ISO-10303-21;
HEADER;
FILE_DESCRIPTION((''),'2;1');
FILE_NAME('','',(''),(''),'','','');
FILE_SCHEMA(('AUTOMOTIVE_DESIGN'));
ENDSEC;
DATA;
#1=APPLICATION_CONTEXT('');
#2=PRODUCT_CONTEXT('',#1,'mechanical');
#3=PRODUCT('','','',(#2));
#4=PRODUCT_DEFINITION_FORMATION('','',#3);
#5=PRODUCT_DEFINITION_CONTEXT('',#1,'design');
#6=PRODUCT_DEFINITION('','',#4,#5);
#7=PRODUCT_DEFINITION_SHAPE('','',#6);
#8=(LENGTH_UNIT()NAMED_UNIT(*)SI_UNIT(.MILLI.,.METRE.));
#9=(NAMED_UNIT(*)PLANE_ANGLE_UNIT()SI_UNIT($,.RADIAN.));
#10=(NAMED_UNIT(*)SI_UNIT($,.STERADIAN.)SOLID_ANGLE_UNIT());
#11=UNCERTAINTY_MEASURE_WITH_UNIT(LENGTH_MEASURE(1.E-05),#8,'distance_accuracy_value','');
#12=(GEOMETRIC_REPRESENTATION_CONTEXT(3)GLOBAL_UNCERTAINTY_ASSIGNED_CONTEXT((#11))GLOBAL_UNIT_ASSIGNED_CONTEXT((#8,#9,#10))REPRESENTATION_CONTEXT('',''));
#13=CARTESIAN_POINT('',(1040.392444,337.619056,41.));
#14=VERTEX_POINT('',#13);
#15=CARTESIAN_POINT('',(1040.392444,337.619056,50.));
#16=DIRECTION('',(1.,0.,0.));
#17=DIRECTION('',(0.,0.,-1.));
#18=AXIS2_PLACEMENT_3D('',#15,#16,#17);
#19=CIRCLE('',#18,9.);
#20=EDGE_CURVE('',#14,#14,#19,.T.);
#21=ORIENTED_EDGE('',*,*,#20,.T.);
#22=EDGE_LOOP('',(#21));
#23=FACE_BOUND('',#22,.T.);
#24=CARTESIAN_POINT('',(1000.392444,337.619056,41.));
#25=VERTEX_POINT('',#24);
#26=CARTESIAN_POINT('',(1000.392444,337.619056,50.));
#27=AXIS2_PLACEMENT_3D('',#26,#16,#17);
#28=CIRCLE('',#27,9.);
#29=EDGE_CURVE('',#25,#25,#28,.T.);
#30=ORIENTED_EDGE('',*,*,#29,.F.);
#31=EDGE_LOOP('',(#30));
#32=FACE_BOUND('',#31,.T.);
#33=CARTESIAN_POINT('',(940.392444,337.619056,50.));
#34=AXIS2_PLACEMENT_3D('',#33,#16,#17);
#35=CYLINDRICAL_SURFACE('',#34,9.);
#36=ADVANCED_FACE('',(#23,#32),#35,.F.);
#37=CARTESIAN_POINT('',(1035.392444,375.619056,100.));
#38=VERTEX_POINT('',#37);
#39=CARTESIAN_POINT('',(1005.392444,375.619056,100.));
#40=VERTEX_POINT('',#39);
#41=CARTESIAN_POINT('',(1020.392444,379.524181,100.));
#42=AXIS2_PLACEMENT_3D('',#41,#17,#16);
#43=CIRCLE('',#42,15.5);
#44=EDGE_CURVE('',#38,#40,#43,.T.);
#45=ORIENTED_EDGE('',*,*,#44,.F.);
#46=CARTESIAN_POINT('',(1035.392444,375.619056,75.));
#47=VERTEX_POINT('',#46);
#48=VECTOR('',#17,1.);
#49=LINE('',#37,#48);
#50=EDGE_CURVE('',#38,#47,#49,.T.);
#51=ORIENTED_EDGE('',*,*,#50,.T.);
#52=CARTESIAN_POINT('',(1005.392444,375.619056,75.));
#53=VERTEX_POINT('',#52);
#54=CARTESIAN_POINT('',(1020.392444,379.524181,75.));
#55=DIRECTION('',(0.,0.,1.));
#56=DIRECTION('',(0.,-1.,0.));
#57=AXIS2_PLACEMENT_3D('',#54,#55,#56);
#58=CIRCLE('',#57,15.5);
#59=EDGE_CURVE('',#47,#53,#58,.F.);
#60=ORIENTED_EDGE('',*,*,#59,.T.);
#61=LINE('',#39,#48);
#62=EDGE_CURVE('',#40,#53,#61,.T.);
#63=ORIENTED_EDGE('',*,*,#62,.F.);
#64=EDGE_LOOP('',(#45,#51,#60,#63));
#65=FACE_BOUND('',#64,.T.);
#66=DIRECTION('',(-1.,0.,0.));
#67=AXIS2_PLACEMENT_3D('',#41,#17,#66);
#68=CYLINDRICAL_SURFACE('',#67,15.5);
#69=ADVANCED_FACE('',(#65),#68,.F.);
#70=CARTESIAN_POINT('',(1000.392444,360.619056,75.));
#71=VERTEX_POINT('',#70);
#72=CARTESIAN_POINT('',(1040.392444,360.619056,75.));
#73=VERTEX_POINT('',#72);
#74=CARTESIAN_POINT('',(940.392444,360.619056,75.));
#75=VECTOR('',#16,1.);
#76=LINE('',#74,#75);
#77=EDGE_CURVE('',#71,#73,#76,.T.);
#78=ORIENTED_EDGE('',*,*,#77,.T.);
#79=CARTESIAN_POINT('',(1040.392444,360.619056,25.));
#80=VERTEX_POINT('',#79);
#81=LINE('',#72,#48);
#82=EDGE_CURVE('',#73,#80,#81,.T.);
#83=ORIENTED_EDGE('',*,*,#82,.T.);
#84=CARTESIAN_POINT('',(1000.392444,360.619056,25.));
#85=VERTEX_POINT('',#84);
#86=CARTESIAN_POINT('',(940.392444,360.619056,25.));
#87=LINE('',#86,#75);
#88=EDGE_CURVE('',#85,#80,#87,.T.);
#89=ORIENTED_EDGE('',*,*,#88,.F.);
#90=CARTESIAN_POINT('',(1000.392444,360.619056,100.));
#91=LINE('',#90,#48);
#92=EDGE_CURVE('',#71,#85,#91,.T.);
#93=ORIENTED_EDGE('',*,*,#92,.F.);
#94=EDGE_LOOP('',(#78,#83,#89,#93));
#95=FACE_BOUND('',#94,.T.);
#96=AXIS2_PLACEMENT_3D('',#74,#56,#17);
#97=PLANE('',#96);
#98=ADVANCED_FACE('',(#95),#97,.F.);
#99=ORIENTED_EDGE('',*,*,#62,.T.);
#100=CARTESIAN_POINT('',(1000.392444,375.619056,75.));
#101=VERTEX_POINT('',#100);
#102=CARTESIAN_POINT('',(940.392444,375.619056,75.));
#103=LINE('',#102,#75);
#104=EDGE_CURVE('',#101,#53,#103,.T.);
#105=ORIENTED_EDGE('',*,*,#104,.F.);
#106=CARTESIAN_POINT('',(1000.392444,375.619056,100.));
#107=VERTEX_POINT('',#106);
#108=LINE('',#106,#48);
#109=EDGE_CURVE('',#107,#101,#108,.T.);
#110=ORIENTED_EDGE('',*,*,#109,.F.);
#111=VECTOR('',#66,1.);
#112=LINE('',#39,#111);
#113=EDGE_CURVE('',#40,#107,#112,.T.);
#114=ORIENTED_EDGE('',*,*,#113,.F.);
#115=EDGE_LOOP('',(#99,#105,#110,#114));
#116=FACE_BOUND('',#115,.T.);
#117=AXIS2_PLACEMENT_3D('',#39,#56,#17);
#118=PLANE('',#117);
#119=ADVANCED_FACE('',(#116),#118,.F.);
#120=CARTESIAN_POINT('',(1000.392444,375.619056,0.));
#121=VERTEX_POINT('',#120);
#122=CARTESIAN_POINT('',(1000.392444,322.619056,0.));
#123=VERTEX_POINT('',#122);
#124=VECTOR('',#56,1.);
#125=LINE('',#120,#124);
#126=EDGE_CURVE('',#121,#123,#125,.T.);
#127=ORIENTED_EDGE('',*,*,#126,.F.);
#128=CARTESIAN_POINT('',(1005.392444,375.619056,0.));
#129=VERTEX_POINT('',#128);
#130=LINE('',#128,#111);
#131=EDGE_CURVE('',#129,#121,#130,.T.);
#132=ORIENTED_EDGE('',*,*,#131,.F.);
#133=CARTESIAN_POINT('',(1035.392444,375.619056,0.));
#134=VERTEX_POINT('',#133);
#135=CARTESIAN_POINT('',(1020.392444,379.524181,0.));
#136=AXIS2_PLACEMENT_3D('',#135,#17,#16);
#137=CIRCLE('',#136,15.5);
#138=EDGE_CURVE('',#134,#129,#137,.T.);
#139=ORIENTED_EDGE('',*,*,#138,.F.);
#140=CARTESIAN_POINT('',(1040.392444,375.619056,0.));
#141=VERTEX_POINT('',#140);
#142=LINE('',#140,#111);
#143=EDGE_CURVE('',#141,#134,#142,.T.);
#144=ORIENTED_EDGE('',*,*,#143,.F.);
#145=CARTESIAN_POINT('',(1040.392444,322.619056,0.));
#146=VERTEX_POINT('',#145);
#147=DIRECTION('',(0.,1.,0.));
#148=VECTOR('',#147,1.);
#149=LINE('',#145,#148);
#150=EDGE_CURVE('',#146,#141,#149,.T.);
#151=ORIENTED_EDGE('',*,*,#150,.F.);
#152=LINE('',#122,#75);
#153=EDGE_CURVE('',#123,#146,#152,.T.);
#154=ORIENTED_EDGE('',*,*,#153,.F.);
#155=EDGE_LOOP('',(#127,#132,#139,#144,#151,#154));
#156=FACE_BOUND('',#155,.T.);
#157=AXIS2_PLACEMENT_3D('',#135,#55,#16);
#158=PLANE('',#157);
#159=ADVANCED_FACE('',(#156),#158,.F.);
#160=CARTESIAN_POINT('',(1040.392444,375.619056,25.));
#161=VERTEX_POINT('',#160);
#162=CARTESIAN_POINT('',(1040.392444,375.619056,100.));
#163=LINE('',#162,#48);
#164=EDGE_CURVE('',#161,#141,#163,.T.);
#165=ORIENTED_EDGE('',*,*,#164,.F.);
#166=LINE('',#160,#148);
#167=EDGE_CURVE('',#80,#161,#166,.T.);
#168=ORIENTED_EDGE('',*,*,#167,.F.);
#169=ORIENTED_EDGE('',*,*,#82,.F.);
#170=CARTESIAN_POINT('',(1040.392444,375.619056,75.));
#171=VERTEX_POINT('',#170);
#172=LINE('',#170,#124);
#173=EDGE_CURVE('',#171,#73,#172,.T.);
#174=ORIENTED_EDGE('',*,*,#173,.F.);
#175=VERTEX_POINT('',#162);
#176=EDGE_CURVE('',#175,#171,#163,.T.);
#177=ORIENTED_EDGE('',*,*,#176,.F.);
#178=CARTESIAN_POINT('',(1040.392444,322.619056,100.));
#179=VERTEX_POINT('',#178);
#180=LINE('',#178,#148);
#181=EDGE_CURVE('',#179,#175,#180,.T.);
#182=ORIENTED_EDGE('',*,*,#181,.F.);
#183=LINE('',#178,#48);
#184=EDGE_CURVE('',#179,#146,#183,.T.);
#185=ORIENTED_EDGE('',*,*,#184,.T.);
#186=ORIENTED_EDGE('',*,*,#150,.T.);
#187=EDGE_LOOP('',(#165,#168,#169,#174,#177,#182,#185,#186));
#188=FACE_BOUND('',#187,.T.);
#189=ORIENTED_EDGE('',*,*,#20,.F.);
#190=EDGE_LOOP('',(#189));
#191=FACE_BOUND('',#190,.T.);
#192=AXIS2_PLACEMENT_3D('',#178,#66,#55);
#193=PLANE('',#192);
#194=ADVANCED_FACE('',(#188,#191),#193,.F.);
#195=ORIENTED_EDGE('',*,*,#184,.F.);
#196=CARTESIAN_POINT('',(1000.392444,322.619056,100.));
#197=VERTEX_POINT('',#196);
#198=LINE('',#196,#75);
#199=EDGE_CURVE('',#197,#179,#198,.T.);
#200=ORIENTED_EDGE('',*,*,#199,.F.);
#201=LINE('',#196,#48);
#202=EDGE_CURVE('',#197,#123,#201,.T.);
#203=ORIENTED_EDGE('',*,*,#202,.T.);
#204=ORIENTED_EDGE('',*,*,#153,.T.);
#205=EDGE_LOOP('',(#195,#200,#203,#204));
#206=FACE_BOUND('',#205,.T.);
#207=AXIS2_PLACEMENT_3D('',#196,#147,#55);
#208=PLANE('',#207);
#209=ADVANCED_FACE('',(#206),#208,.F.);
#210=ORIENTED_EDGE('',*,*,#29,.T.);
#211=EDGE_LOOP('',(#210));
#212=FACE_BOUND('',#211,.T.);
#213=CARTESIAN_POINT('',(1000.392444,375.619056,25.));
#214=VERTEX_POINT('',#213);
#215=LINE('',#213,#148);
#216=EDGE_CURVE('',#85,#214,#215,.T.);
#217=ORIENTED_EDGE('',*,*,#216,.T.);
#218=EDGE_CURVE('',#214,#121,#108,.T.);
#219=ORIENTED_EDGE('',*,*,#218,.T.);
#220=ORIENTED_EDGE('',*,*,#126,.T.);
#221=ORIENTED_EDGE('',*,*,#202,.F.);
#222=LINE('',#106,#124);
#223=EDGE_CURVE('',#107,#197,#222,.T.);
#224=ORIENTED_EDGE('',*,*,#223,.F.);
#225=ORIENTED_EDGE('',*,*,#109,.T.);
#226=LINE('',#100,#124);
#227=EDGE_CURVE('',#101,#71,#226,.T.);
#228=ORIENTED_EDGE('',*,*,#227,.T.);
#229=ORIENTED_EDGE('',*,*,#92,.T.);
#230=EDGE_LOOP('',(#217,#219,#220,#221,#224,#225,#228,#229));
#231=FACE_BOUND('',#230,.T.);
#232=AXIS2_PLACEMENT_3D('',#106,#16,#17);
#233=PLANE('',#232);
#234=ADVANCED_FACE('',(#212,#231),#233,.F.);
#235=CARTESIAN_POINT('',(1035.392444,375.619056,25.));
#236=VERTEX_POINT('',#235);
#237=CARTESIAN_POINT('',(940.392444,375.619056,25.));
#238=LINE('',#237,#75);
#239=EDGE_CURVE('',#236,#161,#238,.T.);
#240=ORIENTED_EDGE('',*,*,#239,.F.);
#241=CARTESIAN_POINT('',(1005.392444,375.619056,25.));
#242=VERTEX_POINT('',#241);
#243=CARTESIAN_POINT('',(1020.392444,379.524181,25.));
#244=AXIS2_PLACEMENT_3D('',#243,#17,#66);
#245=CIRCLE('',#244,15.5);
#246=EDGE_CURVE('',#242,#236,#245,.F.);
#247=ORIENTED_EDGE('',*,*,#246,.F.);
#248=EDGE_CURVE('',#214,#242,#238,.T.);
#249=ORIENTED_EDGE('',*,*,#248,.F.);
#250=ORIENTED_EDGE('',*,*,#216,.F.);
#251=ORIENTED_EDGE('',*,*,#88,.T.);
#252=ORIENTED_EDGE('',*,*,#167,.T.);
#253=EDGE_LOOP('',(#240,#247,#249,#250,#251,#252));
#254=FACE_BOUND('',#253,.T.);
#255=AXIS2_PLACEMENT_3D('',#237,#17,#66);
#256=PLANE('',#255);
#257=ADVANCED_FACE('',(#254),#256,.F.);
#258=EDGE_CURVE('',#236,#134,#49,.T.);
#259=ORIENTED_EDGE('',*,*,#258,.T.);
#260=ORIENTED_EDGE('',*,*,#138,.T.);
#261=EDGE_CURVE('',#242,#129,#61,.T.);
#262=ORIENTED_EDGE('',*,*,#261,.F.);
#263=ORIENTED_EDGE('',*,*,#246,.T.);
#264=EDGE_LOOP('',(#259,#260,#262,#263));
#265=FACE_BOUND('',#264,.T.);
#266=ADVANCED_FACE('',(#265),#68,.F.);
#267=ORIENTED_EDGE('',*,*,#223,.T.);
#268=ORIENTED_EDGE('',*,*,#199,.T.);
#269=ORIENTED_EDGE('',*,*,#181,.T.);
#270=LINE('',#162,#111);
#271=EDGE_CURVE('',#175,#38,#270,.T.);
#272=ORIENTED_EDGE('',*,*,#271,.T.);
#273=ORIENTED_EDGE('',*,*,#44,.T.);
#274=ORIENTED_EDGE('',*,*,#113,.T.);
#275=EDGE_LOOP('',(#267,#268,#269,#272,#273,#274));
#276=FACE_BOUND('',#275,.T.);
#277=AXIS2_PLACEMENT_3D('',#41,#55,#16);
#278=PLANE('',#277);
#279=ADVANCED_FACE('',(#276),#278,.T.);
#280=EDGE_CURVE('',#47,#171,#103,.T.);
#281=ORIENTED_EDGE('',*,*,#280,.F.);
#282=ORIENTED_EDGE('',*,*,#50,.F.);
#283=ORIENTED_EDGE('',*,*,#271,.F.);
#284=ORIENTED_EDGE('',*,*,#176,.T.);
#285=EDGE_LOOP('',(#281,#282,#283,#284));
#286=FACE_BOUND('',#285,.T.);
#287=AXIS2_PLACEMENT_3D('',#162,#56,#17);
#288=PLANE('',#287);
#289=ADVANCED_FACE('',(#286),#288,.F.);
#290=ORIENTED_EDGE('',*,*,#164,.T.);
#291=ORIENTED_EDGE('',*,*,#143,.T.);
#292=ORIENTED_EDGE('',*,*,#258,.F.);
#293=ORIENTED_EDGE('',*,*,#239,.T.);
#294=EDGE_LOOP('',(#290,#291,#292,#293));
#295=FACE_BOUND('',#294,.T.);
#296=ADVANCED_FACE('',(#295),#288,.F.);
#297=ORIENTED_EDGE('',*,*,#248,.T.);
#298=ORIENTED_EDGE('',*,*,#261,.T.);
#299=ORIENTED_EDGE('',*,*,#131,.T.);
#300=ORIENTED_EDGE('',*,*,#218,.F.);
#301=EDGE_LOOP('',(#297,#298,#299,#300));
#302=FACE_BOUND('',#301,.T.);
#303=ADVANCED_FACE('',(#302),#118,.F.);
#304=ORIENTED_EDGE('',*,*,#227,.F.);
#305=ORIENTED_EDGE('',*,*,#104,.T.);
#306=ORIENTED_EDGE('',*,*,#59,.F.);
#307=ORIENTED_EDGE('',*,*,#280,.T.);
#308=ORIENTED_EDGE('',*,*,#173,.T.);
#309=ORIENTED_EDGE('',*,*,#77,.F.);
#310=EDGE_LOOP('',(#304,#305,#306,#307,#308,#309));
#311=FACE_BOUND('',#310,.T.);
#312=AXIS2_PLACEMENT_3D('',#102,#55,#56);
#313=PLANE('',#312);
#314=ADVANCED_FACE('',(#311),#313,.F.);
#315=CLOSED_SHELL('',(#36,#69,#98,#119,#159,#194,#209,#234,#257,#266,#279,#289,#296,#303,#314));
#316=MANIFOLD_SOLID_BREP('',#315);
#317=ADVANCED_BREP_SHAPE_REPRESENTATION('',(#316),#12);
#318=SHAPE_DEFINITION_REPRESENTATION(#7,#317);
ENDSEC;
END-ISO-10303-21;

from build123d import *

# Parameters (mm, degrees)
BOSS_EXTRU_1_DEPTH      = 100
ESQUISSE2_R             = 9
ESQUISSE2_W             = 50
ESQUISSE2_H             = 15
ENL_V_MAT_EXTRU_1_DEPTH = 100


with BuildPart() as part:
    # Esquisse1 → Boss.-Extru.1 (new body)
    with BuildSketch(Plane.XY):
        with BuildLine():
            Line((1005.392443992, 375.619056085), (1000.392443992, 375.619056085))
            Line((1000.392443992, 375.619056085), (1000.392443992, 322.619056085))
            Line((1000.392443992, 322.619056085), (1040.392443992, 322.619056085))
            Line((1040.392443992, 322.619056085), (1040.392443992, 375.619056085))
            Line((1040.392443992, 375.619056085), (1035.392443992, 375.619056085))
            ThreePointArc((1035.392443992, 375.619056085), (1020.392443992, 364.024180923), (1005.392443992, 375.619056085))
        make_face()
    extrude(amount=BOSS_EXTRU_1_DEPTH)

    # Esquisse2 → Enlèv. mat.-Extru.1 (cut)
    with BuildSketch(Plane(origin=(1040.392443992, 0, 0), x_dir=(0, 0, -1), z_dir=(1, 0, 0))):
        with Locations((-50, 337.619056085)):
            Circle(ESQUISSE2_R)
        with Locations((-50, 368.119056085)):
            Rectangle(ESQUISSE2_W, ESQUISSE2_H)
    extrude(amount=-ENL_V_MAT_EXTRU_1_DEPTH, mode=Mode.SUBTRACT)


solid = part.part
